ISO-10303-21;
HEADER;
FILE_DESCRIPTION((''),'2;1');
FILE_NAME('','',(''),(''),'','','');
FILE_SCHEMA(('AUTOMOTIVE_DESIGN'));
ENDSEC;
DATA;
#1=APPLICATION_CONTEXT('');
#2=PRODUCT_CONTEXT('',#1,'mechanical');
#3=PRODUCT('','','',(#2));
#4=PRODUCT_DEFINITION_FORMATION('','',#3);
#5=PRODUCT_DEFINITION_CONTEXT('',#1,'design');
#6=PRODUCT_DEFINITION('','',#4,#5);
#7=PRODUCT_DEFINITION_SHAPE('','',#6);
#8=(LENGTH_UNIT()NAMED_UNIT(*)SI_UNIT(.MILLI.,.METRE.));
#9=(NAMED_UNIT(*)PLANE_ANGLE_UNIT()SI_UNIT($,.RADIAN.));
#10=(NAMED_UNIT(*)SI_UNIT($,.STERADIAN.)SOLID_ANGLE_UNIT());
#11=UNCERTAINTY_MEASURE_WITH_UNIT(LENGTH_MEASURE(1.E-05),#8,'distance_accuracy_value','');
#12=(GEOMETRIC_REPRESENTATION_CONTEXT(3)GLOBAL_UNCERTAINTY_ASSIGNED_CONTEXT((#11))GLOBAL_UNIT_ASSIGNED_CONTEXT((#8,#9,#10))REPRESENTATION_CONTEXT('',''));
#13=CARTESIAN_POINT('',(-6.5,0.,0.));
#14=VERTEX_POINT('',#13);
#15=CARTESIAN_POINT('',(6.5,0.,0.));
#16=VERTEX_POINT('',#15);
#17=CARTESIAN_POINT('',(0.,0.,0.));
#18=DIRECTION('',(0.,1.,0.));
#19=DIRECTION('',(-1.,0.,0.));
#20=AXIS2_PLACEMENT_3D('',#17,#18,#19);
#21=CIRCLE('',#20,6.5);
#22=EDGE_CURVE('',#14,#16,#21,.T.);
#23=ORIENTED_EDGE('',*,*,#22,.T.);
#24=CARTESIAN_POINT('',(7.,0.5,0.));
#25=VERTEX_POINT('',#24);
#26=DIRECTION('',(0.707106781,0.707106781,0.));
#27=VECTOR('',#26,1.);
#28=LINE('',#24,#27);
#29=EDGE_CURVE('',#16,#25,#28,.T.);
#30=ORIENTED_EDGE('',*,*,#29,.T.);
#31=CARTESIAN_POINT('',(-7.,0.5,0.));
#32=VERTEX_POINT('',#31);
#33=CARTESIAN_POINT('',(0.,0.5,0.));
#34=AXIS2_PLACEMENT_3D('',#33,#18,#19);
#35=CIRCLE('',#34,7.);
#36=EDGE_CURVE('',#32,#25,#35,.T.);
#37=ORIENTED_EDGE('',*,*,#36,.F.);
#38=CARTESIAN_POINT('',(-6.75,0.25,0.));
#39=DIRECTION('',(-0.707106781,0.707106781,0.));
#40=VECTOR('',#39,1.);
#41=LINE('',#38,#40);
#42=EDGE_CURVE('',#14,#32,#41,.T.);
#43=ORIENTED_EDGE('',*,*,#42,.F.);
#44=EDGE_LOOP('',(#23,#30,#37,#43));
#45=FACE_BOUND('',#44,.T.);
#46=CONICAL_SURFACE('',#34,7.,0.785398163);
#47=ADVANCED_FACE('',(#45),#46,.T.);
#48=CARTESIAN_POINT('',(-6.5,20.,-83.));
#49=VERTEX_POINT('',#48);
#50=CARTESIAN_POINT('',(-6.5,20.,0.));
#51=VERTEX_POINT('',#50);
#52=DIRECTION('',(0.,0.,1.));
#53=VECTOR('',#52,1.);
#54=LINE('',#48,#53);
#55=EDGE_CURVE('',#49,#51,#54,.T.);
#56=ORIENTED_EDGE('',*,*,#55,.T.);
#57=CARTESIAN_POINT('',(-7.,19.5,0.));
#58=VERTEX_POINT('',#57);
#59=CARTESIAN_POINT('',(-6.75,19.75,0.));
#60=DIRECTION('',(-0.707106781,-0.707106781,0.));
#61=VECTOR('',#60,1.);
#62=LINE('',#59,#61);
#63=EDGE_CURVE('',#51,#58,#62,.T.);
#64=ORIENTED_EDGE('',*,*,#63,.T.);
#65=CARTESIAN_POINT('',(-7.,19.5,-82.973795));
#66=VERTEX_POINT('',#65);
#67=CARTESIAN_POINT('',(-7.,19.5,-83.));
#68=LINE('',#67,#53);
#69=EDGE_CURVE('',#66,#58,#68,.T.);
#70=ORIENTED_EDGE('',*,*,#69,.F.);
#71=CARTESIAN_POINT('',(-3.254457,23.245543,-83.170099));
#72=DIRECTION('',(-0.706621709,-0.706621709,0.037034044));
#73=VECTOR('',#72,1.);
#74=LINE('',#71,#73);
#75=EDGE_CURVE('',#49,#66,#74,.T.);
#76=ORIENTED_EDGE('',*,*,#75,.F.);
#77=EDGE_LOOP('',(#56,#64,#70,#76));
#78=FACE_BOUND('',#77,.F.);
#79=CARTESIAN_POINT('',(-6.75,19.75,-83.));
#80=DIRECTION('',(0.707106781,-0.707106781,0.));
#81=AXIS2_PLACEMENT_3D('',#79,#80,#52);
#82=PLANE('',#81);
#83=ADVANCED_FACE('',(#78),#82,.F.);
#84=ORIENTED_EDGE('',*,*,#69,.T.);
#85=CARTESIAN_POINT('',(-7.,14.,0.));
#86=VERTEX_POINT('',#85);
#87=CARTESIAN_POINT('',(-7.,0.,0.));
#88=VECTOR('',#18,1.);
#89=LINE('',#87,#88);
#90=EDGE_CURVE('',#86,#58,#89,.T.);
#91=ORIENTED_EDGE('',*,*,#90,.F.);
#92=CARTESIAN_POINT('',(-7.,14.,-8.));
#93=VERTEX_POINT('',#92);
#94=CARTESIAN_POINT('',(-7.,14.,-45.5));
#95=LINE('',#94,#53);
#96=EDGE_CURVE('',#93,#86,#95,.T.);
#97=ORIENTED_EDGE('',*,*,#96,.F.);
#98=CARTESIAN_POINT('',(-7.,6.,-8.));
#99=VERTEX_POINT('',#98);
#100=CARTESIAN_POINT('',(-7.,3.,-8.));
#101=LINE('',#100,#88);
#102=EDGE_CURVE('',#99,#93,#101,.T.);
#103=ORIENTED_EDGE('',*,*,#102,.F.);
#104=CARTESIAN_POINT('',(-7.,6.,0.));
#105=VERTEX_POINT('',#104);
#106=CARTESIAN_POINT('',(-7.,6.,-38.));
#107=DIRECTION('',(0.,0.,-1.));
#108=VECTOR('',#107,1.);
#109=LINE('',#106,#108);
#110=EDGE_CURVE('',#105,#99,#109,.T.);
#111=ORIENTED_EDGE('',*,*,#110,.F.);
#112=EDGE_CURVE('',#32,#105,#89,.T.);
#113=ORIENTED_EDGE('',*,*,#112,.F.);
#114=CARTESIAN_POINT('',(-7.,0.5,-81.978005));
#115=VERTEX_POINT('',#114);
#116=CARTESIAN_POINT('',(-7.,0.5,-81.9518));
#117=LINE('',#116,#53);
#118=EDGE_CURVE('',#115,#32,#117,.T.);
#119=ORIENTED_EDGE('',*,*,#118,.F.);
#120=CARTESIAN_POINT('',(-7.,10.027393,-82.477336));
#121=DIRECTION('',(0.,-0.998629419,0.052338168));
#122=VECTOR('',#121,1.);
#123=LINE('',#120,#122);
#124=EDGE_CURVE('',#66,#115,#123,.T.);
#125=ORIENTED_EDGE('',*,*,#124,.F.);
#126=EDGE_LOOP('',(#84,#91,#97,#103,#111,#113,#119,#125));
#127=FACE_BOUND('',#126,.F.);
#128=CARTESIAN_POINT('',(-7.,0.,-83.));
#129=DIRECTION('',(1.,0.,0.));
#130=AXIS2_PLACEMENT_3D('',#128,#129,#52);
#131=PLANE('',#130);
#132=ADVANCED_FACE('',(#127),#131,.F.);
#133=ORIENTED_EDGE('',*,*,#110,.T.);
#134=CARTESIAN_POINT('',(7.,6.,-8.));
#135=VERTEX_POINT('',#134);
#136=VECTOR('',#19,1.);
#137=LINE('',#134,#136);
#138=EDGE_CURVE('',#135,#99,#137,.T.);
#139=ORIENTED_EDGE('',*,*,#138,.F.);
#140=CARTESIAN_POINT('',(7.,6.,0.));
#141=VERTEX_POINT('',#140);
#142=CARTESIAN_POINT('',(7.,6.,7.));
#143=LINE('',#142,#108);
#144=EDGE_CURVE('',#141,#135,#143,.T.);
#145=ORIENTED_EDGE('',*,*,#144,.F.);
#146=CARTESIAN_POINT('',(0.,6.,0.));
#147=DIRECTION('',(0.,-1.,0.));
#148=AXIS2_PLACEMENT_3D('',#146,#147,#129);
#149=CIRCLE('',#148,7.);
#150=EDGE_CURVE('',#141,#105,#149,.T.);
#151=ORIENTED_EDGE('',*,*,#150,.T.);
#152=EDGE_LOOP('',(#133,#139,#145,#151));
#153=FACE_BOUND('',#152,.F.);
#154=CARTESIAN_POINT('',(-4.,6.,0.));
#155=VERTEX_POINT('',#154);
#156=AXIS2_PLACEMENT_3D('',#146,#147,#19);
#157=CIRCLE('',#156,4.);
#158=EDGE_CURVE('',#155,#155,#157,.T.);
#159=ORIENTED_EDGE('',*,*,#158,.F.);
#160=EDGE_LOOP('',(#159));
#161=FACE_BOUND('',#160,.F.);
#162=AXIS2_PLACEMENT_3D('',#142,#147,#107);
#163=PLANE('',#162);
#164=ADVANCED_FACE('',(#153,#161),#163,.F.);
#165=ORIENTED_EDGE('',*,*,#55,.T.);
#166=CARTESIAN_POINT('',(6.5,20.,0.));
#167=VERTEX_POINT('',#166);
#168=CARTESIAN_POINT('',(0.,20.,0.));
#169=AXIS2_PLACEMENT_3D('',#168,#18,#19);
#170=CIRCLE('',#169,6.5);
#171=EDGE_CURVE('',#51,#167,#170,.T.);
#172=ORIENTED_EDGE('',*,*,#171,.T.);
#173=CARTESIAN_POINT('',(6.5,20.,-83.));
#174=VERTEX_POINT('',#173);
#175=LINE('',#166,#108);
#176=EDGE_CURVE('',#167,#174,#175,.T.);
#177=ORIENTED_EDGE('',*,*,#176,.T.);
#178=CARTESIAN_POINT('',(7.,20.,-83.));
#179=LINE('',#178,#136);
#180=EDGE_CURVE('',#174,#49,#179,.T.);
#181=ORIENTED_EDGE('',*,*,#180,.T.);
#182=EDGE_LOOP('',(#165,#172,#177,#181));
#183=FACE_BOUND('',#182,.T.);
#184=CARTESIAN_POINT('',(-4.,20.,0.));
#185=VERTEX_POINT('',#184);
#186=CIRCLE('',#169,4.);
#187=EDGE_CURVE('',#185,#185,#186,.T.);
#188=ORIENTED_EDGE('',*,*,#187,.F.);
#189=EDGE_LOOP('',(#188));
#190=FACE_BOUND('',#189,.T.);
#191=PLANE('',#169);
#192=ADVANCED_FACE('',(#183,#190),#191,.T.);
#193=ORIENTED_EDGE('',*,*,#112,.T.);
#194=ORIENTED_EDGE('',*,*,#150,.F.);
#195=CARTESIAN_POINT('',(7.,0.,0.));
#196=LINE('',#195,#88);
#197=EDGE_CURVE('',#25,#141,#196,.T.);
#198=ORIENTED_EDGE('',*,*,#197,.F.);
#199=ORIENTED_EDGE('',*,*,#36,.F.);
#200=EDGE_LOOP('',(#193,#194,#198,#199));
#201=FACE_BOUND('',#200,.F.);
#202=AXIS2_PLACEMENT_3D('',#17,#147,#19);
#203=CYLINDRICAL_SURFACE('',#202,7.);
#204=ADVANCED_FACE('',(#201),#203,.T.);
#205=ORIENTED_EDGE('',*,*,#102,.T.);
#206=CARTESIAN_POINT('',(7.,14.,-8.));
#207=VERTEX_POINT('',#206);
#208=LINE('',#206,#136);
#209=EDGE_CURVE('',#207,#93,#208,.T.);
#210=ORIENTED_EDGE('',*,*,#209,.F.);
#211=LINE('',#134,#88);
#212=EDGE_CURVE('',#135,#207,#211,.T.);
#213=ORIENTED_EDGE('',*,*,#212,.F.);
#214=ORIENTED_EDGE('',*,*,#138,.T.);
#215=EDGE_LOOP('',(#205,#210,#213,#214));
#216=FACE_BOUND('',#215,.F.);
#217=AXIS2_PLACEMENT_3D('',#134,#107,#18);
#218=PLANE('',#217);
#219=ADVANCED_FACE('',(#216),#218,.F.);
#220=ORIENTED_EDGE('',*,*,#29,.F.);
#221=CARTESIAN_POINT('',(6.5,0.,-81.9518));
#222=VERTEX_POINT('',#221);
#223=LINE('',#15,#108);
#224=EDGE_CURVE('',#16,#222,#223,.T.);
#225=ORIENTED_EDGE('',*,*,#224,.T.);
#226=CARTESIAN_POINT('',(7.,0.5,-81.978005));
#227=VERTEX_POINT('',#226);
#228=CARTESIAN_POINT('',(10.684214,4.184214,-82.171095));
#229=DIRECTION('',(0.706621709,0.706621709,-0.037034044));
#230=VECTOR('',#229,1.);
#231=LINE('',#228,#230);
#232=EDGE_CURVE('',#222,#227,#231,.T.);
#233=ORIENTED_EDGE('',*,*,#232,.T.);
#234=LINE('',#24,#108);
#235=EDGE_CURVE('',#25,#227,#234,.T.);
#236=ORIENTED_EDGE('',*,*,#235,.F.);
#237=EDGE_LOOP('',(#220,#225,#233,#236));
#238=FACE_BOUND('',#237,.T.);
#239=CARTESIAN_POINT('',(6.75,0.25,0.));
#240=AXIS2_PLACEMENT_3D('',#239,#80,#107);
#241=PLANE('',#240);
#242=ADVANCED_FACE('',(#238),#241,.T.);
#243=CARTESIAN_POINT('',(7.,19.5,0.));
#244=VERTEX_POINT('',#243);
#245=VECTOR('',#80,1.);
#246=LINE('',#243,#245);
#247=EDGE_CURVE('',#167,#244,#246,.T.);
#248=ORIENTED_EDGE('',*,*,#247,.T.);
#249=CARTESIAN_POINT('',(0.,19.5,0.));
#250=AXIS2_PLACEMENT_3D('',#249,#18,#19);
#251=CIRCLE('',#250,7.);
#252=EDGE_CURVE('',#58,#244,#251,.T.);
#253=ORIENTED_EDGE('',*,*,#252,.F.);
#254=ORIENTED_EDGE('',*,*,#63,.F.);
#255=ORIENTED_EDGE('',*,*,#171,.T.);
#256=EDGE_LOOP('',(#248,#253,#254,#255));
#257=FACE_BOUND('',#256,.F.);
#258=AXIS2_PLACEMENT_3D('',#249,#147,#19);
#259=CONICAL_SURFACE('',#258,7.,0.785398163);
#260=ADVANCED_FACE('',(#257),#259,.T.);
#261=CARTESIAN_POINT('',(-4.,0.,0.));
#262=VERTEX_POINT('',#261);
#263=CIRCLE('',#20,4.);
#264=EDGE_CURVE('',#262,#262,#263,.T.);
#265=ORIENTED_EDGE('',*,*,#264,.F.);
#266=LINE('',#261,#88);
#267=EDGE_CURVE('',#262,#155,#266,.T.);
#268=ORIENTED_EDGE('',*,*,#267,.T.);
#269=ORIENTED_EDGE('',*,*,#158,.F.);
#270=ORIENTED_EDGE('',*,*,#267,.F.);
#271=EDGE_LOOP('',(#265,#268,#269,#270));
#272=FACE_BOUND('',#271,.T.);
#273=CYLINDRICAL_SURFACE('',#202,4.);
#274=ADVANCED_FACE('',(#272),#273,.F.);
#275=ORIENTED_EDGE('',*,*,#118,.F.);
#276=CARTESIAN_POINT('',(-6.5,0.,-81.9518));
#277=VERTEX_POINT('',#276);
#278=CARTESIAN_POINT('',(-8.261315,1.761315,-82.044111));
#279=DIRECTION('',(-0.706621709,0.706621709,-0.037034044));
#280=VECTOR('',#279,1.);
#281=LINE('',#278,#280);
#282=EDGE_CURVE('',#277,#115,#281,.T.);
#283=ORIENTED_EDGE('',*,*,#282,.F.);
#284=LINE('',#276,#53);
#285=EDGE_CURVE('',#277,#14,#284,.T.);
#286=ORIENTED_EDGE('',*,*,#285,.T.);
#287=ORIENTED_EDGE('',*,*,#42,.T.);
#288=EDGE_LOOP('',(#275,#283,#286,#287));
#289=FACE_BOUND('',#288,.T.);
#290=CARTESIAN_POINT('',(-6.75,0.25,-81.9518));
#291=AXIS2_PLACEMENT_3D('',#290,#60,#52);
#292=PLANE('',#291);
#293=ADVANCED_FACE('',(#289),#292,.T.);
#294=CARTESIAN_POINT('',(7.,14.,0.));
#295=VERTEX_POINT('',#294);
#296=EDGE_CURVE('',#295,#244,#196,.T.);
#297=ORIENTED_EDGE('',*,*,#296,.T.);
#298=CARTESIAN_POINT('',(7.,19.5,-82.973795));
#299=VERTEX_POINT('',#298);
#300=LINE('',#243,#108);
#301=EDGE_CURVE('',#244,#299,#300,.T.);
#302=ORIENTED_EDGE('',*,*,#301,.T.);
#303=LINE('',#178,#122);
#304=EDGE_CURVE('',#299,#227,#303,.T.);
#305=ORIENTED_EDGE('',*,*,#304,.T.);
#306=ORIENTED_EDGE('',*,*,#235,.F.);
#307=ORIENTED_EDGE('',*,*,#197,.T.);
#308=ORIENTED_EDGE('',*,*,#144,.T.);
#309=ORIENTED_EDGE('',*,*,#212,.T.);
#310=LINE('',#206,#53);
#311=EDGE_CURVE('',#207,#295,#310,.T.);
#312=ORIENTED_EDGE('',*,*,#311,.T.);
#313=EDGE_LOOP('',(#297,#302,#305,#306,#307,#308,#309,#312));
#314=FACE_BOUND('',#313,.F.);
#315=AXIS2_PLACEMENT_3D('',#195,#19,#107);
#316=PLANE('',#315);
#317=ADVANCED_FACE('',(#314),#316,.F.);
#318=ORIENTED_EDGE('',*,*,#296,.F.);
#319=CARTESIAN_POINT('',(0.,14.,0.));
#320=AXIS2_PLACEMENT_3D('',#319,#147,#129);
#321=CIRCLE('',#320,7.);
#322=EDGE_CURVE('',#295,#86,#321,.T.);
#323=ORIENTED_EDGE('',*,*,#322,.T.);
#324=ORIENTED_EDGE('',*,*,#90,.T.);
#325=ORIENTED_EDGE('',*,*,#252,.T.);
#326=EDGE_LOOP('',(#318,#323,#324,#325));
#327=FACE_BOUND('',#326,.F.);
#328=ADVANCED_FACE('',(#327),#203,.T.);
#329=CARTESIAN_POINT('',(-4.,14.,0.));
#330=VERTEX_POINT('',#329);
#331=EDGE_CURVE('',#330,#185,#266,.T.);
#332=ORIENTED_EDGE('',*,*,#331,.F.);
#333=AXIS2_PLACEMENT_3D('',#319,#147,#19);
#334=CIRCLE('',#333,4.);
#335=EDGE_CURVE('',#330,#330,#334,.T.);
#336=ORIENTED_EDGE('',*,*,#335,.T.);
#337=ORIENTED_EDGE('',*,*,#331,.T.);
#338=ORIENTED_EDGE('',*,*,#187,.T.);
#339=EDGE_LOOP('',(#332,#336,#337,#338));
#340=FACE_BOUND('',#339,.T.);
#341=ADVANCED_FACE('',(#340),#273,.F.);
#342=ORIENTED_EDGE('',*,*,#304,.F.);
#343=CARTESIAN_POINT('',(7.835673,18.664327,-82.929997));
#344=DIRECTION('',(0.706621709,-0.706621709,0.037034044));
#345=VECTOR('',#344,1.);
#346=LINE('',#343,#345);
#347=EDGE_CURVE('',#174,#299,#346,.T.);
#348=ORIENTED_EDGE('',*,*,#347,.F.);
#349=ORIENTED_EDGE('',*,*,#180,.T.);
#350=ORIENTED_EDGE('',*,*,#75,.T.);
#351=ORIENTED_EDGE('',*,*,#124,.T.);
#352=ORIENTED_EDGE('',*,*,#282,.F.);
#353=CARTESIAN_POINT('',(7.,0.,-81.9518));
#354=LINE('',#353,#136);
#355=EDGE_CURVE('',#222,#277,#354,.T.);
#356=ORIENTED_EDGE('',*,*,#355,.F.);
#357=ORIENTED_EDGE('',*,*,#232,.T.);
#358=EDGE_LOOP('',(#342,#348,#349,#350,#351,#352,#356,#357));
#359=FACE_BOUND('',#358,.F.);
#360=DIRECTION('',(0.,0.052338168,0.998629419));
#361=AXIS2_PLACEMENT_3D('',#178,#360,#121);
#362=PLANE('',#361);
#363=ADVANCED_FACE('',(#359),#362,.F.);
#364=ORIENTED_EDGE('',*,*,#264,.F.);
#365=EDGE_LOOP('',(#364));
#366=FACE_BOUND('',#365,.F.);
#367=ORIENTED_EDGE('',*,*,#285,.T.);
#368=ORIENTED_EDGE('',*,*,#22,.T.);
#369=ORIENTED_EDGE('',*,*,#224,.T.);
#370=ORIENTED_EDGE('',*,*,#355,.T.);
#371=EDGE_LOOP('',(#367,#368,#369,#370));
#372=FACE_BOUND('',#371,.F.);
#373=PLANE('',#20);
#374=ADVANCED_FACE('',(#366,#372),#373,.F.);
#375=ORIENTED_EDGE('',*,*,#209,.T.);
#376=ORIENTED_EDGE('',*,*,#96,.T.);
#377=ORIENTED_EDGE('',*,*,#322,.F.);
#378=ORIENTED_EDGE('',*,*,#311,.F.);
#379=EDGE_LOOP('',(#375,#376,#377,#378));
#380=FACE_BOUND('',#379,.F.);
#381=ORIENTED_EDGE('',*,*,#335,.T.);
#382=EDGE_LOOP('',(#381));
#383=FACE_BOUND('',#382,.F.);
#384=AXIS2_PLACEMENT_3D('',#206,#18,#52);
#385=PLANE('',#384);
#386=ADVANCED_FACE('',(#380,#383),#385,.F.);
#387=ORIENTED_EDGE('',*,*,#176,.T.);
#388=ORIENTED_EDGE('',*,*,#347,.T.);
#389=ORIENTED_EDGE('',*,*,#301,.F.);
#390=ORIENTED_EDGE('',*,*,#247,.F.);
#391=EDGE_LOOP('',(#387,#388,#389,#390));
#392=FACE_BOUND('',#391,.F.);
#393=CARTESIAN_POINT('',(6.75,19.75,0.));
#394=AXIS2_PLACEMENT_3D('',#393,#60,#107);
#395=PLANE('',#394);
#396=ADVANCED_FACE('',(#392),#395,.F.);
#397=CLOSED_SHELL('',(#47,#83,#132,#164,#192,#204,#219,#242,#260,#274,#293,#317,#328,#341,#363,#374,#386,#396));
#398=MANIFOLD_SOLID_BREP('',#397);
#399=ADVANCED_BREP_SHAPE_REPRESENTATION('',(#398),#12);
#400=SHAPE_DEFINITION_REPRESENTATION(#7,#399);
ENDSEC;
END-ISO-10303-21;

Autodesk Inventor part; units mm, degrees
ref_plane "YZ Plane" through (0, 0, 0) normal (1, 0, 0) x (0, 1, 0)
ref_plane "XZ Plane" through (0, 0, 0) normal (0, 1, 0) x (-1, 0, 0)
ref_plane "XY Plane" through (0, 0, 0) normal (0, 0, 1) x (1, 0, 0)
sketch "Sketch1" plane through (0, 0, 0) normal (0, 1, 0) x (-1, 0, 0)
  arc A0 (7, 0) -> (-7, 0) centre (0, 0) ccw
  circle A1 centre (0, 0) radius 4
  line L0 (-7, 0) -> (-7, -83)
  line L1 (-7, -83) -> (7, -83)
  line L2 (7, -83) -> (7, 0)
  point P0 (0, -83)
  dimension "d0" = 14
  dimension "d1" = 8
  dimension "d2" = 83
  dimension "d3" = 14
  dimension "d4" = 83
  dimension "d5" = 0
extrude "Extrusion1" add sketch "Sketch1" along normal blind 20
sketch "Sketch2" plane through (7, 0, 0) normal (1, 0, 0) x (0, 0, -1)
  line L0 (0, 20) -> (83, 20) projected
  line L1 (83, 0) -> (83, 20) projected
  line L2 (83, 20) -> (81.9518, 0)
  line L3 (83, 20) -> (107.3414, 20) construction
  line L4 (83, 20) -> (83, 0)
  line L5 (83, 0) -> (81.9518, 0)
  line L6 (0, 0) -> (83, 0) projected
  dimension "d9" = 93
extrude "Extrusion2" cut sketch "Sketch2" against normal through all
sketch "Sketch3" plane through (7, 0, 0) normal (1, 0, 0) x (0, 0, -1)
  line L0 (-7, 6) -> (8, 6)
  line L1 (8, 6) -> (8, 14)
  line L2 (8, 14) -> (-7, 14)
  line L3 (-7, 14) -> (-7, 6)
  line L4 (-7, 6) -> (8, 14) construction
  line L5 (8, 6) -> (-7, 14) construction
  point P0 (0, 0)
  point P1 (0.5, 10)
  dimension "d12" = 10
  dimension "d13" = 15
  dimension "d14" = 8
  dimension "d15" = 7
extrude "Extrusion3" cut sketch "Sketch3" against normal through all
chamfer "Chamfer1" distance 0.5 angle 45 6 edges at (7, 0, -40.9759) (0, 0, 7) (-7, 0, -40.9759) (7, 20, -41.5) (0, 20, 7) (-7, 20, -41.5)
properties part number "Schneidstempel"
